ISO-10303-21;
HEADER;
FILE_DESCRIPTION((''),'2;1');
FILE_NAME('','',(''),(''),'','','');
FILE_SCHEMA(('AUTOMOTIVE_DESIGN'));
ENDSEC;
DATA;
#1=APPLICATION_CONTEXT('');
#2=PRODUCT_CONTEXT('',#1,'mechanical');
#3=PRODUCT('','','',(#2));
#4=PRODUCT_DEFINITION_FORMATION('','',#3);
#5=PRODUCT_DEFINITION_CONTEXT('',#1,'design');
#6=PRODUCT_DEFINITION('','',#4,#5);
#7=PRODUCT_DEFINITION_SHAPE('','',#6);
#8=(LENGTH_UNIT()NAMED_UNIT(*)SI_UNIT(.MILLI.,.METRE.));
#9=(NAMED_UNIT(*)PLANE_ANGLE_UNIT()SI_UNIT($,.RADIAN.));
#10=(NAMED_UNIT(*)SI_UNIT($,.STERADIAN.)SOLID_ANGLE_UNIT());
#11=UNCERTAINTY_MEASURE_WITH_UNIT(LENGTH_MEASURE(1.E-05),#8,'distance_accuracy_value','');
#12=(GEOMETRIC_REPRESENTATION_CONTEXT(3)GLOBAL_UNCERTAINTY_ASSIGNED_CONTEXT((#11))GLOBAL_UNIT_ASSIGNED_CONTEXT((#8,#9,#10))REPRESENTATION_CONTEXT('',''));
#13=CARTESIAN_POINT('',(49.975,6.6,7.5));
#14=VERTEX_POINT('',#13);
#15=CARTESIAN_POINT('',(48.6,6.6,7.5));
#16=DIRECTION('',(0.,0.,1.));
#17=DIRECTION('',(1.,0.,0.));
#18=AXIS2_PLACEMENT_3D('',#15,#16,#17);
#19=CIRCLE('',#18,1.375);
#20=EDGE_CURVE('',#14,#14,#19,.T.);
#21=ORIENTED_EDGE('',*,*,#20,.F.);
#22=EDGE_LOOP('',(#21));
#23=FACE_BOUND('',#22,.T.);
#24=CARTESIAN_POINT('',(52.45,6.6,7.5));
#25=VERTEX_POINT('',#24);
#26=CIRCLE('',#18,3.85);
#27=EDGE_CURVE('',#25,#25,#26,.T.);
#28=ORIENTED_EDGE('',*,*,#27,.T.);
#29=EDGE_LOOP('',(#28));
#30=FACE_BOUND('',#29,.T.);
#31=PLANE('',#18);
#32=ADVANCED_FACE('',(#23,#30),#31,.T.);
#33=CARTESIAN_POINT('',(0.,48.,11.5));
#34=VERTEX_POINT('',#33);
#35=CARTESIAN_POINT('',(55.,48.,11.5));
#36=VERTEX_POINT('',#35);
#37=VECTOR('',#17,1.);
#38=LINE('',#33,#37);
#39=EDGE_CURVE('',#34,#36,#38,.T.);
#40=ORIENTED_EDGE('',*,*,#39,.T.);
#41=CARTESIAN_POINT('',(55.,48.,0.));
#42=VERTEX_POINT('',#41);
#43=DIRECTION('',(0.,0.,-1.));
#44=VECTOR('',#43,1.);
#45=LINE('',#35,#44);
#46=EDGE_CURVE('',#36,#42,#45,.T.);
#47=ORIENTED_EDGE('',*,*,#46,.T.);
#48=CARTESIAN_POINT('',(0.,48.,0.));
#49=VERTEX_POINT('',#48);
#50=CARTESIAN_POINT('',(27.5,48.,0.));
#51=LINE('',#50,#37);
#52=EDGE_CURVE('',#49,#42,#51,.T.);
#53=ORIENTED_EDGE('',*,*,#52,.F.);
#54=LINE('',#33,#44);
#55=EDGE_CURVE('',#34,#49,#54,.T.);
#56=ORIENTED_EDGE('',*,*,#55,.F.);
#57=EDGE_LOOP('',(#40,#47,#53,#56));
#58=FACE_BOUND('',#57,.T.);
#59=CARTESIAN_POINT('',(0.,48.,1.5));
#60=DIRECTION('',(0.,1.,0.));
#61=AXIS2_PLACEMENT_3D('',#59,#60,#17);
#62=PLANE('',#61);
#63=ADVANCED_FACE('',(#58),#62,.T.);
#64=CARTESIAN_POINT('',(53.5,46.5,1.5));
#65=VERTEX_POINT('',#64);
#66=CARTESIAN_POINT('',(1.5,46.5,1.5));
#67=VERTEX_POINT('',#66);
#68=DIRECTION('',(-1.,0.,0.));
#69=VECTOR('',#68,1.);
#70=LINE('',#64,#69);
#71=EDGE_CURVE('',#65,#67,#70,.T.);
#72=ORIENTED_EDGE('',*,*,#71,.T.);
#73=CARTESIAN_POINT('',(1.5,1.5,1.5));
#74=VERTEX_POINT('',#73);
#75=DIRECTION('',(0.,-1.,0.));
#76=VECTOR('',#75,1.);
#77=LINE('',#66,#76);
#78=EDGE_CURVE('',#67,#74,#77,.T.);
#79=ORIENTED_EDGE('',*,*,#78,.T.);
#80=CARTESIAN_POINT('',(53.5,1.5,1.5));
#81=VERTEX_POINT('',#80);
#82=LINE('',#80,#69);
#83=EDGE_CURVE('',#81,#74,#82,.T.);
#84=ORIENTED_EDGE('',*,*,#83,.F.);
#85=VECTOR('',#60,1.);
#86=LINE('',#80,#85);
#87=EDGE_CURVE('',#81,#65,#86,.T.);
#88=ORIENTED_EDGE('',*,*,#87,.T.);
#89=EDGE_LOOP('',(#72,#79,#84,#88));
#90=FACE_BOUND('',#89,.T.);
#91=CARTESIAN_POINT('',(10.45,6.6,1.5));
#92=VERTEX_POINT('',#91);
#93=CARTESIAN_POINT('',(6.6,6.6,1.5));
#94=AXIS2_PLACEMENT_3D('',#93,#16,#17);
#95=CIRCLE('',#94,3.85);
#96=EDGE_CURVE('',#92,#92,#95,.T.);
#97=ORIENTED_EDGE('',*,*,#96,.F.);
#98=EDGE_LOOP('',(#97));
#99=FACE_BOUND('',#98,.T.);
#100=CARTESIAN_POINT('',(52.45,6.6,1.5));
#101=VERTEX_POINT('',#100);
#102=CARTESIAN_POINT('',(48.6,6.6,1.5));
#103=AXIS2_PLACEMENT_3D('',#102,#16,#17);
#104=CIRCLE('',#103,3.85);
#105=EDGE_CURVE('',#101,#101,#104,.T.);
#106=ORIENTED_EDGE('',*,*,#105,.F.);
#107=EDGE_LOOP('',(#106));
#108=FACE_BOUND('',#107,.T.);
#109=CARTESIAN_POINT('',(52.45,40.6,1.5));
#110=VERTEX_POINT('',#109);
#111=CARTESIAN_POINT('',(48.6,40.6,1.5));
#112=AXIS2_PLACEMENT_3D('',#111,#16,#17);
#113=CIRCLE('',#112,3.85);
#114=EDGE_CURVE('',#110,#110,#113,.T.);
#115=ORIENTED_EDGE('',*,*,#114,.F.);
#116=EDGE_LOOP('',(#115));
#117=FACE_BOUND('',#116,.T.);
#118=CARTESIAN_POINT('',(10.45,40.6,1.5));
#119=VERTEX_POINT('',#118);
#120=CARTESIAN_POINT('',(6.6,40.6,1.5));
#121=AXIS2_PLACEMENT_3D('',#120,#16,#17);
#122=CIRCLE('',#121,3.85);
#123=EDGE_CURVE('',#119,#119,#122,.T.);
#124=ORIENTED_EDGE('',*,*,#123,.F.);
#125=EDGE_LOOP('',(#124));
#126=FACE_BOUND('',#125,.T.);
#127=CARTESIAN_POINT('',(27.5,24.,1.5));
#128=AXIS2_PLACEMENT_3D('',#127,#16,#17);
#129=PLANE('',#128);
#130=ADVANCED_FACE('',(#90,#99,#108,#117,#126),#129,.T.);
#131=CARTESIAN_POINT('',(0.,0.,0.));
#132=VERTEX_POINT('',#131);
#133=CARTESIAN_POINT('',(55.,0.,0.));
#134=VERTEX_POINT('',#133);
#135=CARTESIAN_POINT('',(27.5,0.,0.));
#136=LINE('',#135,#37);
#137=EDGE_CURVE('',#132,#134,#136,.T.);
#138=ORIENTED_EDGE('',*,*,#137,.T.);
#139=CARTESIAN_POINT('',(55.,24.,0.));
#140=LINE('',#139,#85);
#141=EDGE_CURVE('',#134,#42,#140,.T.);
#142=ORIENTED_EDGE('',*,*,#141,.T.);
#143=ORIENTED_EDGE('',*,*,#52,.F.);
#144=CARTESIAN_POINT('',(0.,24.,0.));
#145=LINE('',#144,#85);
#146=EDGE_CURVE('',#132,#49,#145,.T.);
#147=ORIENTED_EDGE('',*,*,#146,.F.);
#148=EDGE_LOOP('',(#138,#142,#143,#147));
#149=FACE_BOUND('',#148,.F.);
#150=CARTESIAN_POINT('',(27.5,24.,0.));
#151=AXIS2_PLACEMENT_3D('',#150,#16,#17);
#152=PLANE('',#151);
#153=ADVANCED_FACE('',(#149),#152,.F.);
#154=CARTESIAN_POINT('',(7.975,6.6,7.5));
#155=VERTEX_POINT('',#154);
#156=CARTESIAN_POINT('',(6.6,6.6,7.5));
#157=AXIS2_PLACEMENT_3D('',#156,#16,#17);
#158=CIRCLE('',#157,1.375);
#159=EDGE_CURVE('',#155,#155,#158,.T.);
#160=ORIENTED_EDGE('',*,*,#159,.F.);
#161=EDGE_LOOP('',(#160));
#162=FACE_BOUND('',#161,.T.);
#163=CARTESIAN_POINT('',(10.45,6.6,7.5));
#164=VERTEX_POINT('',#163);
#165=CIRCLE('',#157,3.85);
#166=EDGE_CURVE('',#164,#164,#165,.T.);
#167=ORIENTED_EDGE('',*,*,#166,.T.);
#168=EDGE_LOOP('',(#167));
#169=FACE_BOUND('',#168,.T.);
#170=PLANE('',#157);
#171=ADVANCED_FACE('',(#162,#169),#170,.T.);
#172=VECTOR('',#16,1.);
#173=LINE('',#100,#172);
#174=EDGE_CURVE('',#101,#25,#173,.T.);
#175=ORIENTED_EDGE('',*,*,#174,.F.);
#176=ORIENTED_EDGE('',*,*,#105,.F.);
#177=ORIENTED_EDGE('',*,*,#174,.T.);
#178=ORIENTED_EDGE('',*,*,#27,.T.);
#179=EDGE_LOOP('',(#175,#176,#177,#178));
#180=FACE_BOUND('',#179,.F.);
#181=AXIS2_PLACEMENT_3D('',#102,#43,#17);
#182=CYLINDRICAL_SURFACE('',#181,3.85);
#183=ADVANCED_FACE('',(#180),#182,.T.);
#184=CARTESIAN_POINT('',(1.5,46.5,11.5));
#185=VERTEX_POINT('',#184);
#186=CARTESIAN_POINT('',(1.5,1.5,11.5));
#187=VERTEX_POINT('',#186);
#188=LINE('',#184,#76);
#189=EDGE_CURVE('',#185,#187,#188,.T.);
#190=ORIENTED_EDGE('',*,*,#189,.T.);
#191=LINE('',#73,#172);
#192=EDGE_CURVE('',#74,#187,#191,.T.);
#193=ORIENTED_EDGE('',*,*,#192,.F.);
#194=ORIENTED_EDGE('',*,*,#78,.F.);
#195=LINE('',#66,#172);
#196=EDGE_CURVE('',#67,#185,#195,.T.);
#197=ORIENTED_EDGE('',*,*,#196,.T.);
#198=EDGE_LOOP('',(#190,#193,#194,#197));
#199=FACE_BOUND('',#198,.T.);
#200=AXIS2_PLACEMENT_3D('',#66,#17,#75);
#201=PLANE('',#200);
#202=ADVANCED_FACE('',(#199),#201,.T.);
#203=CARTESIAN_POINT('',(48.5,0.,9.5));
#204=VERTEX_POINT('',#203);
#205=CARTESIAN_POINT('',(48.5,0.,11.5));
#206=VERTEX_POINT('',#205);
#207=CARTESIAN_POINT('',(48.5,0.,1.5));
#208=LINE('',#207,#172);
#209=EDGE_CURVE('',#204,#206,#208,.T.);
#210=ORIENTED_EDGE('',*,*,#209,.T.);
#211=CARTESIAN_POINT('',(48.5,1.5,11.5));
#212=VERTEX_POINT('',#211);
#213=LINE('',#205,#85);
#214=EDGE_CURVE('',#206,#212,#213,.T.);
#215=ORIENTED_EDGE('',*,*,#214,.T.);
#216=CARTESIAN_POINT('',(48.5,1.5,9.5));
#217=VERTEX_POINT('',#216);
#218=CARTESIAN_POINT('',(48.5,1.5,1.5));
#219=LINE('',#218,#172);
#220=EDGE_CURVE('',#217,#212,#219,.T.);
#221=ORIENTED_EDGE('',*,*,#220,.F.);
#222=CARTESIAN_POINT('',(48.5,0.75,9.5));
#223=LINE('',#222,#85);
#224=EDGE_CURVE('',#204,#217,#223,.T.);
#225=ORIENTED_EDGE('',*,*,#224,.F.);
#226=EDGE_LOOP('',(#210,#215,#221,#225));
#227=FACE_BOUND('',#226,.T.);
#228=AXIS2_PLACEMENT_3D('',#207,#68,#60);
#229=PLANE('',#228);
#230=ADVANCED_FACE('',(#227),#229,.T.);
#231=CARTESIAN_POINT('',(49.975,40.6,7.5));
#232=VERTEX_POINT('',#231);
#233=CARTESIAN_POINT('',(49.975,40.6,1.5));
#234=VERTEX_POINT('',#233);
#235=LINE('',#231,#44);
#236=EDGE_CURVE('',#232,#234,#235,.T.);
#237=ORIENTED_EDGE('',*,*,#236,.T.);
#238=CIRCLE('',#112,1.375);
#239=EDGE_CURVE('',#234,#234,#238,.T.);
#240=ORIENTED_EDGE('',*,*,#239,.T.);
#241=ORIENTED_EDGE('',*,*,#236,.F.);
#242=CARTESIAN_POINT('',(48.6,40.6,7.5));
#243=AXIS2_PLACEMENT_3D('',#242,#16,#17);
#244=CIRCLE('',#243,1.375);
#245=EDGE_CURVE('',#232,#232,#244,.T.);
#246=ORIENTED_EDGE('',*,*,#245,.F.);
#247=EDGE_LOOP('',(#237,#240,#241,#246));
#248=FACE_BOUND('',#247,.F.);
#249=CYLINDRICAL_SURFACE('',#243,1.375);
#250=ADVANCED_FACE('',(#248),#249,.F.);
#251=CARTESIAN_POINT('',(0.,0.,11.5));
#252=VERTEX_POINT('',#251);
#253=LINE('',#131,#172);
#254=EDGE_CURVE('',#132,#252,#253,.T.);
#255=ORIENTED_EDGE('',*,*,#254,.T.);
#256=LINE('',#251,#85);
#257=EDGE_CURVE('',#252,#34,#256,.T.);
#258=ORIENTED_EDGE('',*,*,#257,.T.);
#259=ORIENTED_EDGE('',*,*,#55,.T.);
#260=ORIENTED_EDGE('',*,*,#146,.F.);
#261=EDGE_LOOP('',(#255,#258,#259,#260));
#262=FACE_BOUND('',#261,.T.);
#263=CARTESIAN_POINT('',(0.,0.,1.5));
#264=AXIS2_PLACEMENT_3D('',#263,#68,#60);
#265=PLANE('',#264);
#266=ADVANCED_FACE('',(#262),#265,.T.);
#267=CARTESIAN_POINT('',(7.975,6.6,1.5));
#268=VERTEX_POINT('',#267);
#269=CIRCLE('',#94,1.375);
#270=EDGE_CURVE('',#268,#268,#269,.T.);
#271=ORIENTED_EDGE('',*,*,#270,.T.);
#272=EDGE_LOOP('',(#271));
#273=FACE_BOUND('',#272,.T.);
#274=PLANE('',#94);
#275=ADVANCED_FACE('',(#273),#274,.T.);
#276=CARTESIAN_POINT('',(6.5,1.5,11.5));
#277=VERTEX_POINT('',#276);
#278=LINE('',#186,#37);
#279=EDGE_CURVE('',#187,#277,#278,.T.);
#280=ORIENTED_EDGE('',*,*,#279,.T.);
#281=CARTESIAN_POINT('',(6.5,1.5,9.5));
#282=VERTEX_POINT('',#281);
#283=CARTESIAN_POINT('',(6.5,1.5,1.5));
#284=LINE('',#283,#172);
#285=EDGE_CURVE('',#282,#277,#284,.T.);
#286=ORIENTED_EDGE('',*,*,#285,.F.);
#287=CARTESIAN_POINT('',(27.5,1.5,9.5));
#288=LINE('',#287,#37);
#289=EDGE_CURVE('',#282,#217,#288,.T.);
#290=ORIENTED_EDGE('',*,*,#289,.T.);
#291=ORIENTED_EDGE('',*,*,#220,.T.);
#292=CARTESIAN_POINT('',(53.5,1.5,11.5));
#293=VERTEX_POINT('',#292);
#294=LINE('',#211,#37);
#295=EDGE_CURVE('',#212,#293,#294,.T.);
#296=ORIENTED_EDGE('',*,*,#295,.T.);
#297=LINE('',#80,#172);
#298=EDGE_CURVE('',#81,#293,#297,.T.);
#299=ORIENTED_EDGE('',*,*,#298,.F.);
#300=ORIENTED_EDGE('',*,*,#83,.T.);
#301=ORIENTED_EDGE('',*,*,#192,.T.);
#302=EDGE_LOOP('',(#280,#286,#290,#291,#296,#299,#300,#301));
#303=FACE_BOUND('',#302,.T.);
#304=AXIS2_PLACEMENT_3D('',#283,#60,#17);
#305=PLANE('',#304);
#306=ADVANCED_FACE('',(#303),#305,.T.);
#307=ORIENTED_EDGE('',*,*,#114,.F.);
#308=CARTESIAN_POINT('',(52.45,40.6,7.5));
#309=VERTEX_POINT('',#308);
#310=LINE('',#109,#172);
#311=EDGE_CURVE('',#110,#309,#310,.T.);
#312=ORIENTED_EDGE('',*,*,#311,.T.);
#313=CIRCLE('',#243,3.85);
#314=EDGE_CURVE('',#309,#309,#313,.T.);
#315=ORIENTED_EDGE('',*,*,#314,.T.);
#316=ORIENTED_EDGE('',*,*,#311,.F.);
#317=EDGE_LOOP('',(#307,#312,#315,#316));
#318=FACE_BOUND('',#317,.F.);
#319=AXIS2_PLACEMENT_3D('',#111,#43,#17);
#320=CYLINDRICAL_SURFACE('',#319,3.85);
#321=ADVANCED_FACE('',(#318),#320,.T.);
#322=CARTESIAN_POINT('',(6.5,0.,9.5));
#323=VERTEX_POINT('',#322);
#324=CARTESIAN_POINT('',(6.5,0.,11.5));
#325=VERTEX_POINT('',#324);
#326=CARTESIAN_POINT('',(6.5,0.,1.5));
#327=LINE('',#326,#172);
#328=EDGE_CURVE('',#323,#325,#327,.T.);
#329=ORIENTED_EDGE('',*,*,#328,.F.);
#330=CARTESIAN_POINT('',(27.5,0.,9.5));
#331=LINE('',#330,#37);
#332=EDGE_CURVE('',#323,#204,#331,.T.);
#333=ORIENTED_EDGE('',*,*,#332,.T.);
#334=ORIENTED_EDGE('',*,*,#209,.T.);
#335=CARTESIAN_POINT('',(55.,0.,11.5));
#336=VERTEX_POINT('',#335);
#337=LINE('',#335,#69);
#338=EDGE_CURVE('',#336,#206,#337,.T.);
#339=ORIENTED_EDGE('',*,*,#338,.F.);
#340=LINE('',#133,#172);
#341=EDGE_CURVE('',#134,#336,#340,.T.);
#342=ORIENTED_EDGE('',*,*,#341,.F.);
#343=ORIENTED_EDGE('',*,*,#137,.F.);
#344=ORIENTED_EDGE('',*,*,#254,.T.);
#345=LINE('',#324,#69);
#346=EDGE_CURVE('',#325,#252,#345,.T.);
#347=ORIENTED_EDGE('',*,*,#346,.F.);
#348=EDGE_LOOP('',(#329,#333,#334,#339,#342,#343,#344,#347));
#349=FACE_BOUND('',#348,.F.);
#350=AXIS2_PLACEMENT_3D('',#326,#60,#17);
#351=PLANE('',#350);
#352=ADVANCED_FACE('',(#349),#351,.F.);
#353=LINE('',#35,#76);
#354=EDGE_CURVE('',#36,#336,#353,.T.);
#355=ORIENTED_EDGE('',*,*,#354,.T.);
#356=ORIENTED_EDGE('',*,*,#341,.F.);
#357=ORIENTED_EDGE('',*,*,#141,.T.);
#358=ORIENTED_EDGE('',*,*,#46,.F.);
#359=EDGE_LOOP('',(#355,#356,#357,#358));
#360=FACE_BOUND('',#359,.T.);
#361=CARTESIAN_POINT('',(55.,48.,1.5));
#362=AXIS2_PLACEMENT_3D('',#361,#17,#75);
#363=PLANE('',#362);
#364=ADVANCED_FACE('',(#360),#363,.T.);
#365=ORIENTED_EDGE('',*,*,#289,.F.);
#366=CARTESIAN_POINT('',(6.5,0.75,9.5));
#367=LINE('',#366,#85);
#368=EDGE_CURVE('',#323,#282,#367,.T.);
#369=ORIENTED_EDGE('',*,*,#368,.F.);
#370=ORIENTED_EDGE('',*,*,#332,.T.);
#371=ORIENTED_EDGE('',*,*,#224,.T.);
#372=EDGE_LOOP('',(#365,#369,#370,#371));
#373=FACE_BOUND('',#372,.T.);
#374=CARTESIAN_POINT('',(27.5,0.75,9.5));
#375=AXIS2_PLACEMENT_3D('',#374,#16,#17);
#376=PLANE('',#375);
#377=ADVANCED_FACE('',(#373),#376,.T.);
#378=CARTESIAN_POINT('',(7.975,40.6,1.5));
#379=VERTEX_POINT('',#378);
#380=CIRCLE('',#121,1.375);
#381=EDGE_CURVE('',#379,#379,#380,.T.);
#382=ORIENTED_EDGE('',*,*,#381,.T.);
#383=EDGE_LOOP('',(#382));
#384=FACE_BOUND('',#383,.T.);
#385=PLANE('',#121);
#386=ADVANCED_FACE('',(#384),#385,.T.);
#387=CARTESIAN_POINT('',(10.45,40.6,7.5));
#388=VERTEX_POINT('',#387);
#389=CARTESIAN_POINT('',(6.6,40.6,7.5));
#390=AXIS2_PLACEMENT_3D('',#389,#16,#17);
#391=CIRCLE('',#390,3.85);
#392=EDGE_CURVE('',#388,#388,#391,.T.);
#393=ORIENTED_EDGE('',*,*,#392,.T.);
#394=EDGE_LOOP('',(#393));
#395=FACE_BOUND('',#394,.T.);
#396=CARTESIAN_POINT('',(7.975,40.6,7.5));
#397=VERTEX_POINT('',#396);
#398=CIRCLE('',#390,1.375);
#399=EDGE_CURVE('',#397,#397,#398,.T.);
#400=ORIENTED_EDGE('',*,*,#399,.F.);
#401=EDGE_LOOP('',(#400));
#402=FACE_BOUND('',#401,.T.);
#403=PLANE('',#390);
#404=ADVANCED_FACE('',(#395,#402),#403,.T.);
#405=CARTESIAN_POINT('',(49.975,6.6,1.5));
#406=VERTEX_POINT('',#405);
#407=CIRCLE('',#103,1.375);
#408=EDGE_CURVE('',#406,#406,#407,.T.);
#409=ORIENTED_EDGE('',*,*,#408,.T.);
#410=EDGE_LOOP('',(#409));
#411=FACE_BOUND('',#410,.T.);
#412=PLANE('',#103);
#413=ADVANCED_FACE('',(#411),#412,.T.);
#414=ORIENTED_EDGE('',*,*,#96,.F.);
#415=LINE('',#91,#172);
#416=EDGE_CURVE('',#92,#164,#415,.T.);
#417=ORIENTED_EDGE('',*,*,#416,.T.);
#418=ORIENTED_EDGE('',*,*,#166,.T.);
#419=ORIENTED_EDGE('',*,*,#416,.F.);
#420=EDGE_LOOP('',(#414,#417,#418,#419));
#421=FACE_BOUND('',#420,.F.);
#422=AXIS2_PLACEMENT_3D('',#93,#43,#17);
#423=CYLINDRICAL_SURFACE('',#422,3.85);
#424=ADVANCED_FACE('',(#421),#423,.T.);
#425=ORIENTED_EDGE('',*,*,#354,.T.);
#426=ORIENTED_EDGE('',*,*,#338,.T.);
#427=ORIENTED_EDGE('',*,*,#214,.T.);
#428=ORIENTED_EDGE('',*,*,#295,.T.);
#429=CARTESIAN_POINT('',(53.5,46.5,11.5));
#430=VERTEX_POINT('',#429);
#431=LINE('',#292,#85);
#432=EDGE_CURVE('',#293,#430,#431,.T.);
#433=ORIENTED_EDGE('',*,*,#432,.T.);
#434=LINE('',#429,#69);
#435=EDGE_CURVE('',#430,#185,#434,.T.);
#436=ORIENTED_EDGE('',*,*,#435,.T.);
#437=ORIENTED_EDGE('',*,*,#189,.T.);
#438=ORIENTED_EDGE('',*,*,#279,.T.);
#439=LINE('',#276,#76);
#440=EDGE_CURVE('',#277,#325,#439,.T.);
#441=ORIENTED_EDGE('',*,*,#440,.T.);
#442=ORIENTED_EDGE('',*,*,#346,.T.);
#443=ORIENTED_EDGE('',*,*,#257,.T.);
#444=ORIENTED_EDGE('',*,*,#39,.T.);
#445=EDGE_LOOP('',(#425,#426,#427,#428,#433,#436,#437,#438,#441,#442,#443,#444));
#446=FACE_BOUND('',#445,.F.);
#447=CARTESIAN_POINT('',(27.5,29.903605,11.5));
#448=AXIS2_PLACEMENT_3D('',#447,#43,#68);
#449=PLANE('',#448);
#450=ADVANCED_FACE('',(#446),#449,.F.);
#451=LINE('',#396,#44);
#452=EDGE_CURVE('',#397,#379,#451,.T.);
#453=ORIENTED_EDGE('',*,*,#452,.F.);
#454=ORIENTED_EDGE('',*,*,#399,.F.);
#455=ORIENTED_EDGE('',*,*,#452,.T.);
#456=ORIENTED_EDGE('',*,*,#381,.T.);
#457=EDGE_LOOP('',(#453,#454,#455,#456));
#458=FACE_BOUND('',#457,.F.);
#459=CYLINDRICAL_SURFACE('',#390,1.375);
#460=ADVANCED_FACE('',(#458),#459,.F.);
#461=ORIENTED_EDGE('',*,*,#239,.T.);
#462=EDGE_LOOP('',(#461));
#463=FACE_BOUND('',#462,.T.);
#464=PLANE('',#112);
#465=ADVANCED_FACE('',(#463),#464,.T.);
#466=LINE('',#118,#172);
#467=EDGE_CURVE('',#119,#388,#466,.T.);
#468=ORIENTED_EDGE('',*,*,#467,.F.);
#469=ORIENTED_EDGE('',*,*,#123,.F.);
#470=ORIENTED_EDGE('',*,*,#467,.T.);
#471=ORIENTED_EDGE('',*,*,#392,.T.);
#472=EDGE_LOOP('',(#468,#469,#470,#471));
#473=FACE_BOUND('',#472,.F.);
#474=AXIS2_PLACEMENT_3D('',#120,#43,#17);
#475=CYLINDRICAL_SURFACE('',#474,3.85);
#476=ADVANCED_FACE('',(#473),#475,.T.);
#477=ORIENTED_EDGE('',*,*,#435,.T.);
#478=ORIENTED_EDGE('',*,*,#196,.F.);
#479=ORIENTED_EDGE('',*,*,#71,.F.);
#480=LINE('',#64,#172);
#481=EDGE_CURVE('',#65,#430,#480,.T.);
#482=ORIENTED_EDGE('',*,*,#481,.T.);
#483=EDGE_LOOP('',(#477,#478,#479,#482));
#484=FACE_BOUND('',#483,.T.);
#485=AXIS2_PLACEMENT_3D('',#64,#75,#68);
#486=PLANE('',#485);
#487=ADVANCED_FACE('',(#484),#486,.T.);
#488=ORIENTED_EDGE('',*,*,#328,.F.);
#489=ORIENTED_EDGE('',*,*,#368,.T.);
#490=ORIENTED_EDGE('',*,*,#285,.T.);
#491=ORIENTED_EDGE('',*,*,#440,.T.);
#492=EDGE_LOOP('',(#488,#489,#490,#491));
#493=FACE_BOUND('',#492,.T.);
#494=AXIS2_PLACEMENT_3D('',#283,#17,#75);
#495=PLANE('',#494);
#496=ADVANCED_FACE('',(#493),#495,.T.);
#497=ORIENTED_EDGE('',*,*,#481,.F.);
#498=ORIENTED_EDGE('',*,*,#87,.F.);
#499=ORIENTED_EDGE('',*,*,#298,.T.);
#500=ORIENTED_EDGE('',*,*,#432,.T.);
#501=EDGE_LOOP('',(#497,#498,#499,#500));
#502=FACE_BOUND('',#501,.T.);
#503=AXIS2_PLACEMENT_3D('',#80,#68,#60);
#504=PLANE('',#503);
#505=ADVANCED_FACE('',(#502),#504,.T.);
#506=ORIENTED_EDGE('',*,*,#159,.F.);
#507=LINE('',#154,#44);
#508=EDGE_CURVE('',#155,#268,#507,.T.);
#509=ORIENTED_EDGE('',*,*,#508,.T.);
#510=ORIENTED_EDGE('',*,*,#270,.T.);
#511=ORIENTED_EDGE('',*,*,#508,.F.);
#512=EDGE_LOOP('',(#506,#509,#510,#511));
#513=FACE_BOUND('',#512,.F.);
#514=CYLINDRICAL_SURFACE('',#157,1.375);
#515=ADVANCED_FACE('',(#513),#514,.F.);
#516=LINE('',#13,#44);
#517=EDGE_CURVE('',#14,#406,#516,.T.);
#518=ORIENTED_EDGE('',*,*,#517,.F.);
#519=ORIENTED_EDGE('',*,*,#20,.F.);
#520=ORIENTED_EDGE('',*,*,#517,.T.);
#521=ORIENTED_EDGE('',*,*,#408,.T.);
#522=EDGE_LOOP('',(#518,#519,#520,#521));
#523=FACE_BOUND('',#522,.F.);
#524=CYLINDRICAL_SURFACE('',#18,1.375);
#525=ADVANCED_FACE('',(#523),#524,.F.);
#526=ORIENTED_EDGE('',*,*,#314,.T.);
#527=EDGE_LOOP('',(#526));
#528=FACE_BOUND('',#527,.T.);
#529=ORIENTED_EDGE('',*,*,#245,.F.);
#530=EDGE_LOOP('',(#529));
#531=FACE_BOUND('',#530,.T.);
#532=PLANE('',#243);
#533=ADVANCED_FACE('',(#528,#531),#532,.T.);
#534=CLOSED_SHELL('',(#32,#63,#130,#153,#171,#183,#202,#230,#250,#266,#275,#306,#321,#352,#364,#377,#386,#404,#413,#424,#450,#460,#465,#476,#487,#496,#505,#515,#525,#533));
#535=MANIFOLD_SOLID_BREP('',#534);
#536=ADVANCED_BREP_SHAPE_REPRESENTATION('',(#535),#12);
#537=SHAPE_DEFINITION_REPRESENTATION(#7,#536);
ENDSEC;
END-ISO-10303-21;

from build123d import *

# Parameters (mm, degrees)
SKETCH_W     = 55
SKETCH_H     = 48
PAD_DEPTH    = 1.5
SKETCH001_R  = 3.85
PAD001_DEPTH = 6
SKETCH002_R  = 1.375
POCKET_DEPTH = 6
PAD002_DEPTH = 10
SKETCH004_W  = 42
SKETCH004_H  = 1.5
PAD003_DEPTH = 8


with BuildPart() as part:
    # Sketch → Pad (new body)
    with BuildSketch(Plane.XY):
        with Locations((27.5, 24)):
            Rectangle(SKETCH_W, SKETCH_H)
    extrude(amount=PAD_DEPTH)

    # Sketch001 (on Face6 of Pad) → Pad001 (join)
    with BuildSketch(Plane.XY.offset(1.5)):
        with Locations((6.6, 6.6)):
            Circle(SKETCH001_R)
        with Locations((6.6, 40.6)):
            Circle(SKETCH001_R)
        with Locations((48.6, 40.6)):
            Circle(SKETCH001_R)
        with Locations((48.6, 6.6)):
            Circle(SKETCH001_R)
    extrude(amount=PAD001_DEPTH)

    # Sketch002 (on Face11 of Pad001) → Pocket (cut)
    with BuildSketch(Plane.XY.offset(7.5)):
        with Locations((6.6, 6.6)):
            Circle(SKETCH002_R)
        with Locations((6.6, 40.6)):
            Circle(SKETCH002_R)
        with Locations((48.6, 40.6)):
            Circle(SKETCH002_R)
        with Locations((48.6, 6.6)):
            Circle(SKETCH002_R)
    extrude(amount=-POCKET_DEPTH, mode=Mode.SUBTRACT)

    # Sketch003 (on Face5 of Pocket) → Pad002 (join)
    with BuildSketch(Plane.XY.offset(1.5)):
        Polygon((0, 0), (0, 48), (55, 48), (55, 0), (48.5, 0), (48.5, 1.5), (53.5, 1.5), (53.5, 46.5), (1.5, 46.5), (1.5, 1.5), (6.5, 1.5), (6.5, 0), align=None)
    extrude(amount=PAD002_DEPTH)

    # Sketch004 (on Face8 of Pad002) → Pad003 (join)
    with BuildSketch(Plane.XY.offset(1.5)):
        with Locations((27.5, 0.75)):
            Rectangle(SKETCH004_W, SKETCH004_H)
    extrude(amount=PAD003_DEPTH)


solid = part.part
